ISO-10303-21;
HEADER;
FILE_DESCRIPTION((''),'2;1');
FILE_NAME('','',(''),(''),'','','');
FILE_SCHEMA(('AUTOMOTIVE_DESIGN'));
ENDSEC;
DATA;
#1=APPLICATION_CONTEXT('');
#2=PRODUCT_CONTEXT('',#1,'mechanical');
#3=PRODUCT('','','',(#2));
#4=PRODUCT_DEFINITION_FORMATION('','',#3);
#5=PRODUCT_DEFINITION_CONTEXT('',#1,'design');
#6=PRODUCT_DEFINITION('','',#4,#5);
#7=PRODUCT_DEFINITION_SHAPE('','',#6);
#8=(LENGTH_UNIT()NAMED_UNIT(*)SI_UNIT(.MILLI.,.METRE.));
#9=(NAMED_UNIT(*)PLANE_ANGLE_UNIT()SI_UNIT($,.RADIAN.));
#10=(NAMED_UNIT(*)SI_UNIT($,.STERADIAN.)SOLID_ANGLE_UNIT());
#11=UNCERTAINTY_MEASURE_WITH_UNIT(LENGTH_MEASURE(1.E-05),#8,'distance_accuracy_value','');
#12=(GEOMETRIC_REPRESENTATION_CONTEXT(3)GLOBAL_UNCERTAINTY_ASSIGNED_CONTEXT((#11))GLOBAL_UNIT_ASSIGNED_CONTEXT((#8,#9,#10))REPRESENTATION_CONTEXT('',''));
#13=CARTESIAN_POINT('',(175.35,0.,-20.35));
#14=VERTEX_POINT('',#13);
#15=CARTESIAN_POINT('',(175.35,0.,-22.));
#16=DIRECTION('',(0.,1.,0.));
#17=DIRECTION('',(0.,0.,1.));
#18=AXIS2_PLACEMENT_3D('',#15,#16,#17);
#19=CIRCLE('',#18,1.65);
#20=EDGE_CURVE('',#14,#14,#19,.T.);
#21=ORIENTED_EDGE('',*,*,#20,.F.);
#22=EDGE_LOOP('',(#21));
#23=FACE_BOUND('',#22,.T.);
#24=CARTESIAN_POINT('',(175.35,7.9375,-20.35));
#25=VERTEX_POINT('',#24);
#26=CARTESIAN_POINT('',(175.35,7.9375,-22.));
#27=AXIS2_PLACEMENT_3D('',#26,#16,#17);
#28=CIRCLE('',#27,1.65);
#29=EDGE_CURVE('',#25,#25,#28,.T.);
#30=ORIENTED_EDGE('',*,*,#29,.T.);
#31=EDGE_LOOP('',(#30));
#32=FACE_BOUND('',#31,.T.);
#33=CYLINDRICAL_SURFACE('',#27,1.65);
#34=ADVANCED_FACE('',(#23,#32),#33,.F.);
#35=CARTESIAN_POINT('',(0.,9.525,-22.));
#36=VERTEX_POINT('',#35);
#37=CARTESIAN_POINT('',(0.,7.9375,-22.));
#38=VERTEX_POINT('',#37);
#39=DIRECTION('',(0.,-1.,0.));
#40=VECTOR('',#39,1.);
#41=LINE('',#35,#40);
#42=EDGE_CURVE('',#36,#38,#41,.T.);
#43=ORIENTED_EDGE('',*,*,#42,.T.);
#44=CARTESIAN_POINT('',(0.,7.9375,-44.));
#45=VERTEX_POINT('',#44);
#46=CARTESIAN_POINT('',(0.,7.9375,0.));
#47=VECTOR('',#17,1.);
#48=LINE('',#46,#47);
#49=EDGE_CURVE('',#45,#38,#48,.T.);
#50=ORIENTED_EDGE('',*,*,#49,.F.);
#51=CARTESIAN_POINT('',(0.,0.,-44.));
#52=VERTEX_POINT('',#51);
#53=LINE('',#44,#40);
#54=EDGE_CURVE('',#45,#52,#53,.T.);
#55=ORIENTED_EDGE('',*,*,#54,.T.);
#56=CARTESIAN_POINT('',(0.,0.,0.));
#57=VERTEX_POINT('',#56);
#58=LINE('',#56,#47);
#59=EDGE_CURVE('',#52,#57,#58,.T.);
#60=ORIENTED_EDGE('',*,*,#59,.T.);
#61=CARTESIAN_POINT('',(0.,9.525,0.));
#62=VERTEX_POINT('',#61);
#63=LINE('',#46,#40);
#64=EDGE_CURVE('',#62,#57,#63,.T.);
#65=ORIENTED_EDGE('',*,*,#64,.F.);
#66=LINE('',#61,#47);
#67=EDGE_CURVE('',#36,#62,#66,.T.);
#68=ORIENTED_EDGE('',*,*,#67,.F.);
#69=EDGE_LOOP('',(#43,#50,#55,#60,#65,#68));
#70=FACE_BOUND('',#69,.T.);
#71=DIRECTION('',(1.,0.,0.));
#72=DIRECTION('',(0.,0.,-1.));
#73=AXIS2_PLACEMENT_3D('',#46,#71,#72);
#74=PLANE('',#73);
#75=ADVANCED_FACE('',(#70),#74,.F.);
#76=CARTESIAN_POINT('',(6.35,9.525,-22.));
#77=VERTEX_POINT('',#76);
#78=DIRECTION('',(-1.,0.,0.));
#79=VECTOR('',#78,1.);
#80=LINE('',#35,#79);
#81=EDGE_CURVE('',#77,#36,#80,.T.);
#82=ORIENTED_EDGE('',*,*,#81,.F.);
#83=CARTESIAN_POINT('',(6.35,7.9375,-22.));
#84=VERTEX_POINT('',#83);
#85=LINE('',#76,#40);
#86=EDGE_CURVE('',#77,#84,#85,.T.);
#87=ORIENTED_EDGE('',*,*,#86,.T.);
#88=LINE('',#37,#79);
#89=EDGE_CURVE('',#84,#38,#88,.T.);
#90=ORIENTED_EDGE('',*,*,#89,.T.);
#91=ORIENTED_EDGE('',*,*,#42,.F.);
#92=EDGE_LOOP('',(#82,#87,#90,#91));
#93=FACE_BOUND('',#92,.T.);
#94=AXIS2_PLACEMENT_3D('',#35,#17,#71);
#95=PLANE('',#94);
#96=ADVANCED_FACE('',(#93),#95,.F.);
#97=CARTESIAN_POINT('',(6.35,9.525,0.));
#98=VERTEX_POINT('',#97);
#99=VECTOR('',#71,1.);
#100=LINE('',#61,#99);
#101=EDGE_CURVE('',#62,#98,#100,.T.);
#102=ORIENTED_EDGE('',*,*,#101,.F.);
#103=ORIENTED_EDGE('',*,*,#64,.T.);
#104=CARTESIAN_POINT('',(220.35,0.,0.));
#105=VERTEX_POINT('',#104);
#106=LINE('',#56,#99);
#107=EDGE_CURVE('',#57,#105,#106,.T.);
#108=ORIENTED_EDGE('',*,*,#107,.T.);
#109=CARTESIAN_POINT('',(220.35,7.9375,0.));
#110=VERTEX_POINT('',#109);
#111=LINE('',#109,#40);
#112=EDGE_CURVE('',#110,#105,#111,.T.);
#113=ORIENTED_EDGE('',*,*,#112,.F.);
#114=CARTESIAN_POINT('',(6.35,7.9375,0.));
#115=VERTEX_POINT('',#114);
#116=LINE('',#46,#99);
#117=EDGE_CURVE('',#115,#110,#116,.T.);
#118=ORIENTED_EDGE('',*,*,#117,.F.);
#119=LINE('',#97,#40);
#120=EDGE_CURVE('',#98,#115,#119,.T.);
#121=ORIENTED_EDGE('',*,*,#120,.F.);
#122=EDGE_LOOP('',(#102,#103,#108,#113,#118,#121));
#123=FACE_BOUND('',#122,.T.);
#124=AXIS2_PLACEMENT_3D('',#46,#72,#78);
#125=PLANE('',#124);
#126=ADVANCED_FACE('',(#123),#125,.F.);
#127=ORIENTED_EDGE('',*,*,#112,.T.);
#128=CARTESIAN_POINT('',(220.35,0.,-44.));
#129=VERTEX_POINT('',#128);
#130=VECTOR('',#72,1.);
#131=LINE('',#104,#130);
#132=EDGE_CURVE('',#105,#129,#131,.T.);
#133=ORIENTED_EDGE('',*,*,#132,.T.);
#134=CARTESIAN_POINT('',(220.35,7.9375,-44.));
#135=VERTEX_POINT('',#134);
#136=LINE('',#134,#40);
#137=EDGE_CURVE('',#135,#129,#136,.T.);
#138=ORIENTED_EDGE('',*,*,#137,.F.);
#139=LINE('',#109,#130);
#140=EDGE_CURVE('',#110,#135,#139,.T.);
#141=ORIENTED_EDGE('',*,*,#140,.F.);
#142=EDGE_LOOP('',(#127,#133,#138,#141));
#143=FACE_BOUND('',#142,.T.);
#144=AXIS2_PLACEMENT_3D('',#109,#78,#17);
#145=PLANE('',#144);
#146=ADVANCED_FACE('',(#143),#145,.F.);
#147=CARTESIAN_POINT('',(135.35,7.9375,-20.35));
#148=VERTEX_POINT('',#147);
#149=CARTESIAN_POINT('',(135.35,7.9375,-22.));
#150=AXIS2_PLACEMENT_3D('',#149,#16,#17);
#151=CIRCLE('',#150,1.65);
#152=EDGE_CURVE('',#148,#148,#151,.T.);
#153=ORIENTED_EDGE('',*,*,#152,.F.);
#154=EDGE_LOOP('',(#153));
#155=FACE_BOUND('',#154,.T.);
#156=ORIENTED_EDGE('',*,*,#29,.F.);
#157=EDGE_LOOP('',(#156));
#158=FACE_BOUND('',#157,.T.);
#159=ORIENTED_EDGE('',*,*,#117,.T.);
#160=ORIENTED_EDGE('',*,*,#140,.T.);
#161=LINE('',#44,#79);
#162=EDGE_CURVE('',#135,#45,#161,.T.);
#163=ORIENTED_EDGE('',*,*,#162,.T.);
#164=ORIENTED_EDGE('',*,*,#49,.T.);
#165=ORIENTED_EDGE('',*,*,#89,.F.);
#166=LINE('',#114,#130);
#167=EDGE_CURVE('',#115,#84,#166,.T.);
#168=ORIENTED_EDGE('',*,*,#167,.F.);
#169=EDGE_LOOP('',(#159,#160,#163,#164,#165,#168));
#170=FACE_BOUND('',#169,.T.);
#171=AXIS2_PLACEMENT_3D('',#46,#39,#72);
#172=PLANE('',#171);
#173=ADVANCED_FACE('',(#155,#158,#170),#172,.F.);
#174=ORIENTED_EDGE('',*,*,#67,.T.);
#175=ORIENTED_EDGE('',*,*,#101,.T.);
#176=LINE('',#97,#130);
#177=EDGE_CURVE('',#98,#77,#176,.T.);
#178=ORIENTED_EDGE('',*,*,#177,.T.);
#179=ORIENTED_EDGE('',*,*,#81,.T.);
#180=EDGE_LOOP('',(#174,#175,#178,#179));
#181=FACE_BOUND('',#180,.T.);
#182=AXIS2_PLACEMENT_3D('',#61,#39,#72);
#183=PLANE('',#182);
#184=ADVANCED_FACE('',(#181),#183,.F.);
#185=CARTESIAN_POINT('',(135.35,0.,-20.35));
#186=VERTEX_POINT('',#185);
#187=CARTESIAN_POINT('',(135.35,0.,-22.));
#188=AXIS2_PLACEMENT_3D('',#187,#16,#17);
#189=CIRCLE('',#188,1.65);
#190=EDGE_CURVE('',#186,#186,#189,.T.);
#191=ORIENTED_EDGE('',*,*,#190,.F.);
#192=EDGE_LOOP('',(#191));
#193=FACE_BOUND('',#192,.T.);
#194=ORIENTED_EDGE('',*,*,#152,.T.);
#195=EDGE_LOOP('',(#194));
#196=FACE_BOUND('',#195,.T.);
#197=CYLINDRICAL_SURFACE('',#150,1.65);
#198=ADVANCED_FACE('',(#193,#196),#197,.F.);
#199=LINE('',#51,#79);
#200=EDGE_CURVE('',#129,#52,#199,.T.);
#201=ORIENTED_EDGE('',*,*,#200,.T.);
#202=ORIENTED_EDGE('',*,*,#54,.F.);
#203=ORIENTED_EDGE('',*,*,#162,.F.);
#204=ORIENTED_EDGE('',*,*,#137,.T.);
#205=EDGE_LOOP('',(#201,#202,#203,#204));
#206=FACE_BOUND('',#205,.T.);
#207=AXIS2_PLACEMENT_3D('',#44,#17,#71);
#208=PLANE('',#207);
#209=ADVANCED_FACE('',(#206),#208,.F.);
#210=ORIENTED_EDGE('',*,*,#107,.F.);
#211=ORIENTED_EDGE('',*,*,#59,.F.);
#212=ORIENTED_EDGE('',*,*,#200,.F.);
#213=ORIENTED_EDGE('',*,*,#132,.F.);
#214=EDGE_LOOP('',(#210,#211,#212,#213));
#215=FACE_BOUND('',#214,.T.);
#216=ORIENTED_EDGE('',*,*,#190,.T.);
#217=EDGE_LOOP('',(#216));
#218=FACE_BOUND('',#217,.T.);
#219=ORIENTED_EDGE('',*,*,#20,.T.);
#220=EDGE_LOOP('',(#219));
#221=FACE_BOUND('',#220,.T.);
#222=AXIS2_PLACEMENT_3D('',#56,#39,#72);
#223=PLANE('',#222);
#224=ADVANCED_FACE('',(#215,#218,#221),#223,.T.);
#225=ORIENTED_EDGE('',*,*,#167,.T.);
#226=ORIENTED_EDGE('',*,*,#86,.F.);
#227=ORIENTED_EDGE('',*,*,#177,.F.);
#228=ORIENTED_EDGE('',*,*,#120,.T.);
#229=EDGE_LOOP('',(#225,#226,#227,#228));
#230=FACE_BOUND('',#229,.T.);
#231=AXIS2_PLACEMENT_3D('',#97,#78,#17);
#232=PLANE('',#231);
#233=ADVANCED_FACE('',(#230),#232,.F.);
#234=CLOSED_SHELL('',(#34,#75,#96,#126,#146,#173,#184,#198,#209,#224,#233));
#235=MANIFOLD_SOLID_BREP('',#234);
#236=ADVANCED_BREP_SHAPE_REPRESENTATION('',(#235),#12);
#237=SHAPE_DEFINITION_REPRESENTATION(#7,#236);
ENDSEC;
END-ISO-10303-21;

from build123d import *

# Parameters (mm, degrees)
SKETCH1_W             = 220.35
SKETCH1_H             = 44
BOSS_EXTRUDE1_DEPTH   = 7.9375
SKETCH2_W             = 6.35
SKETCH2_H             = 22
BOSS_EXTRUDE2_DEPTH   = 1.5875
M4X0_7_TAPPED_HOLE2_D = 3.3


with BuildPart() as part:
    # Sketch1 → Boss-Extrude1 (new body)
    with BuildSketch(Plane(origin=(0, 0, 0), x_dir=(1, 0, 0), z_dir=(0, 1, 0))):
        with Locations((110.175, 22)):
            Rectangle(SKETCH1_W, SKETCH1_H)
    extrude(amount=BOSS_EXTRUDE1_DEPTH)

    # Sketch2 → Boss-Extrude2 (add)
    with BuildSketch(Plane(origin=(0, 7.9375, 0), x_dir=(1, 0, 0), z_dir=(0, 1, 0))):
        with Locations((3.175, 11)):
            Rectangle(SKETCH2_W, SKETCH2_H)
    extrude(amount=BOSS_EXTRUDE2_DEPTH)

    # M4x0.7 Tapped Hole2 (through all)
    with Locations(Plane(origin=(0, 7.9375, 0), x_dir=(1, 0, 0), z_dir=(0, 1, 0))):
        with Locations((135.35, 22), (175.35, 22)):
            Hole(M4X0_7_TAPPED_HOLE2_D / 2)


solid = part.part
